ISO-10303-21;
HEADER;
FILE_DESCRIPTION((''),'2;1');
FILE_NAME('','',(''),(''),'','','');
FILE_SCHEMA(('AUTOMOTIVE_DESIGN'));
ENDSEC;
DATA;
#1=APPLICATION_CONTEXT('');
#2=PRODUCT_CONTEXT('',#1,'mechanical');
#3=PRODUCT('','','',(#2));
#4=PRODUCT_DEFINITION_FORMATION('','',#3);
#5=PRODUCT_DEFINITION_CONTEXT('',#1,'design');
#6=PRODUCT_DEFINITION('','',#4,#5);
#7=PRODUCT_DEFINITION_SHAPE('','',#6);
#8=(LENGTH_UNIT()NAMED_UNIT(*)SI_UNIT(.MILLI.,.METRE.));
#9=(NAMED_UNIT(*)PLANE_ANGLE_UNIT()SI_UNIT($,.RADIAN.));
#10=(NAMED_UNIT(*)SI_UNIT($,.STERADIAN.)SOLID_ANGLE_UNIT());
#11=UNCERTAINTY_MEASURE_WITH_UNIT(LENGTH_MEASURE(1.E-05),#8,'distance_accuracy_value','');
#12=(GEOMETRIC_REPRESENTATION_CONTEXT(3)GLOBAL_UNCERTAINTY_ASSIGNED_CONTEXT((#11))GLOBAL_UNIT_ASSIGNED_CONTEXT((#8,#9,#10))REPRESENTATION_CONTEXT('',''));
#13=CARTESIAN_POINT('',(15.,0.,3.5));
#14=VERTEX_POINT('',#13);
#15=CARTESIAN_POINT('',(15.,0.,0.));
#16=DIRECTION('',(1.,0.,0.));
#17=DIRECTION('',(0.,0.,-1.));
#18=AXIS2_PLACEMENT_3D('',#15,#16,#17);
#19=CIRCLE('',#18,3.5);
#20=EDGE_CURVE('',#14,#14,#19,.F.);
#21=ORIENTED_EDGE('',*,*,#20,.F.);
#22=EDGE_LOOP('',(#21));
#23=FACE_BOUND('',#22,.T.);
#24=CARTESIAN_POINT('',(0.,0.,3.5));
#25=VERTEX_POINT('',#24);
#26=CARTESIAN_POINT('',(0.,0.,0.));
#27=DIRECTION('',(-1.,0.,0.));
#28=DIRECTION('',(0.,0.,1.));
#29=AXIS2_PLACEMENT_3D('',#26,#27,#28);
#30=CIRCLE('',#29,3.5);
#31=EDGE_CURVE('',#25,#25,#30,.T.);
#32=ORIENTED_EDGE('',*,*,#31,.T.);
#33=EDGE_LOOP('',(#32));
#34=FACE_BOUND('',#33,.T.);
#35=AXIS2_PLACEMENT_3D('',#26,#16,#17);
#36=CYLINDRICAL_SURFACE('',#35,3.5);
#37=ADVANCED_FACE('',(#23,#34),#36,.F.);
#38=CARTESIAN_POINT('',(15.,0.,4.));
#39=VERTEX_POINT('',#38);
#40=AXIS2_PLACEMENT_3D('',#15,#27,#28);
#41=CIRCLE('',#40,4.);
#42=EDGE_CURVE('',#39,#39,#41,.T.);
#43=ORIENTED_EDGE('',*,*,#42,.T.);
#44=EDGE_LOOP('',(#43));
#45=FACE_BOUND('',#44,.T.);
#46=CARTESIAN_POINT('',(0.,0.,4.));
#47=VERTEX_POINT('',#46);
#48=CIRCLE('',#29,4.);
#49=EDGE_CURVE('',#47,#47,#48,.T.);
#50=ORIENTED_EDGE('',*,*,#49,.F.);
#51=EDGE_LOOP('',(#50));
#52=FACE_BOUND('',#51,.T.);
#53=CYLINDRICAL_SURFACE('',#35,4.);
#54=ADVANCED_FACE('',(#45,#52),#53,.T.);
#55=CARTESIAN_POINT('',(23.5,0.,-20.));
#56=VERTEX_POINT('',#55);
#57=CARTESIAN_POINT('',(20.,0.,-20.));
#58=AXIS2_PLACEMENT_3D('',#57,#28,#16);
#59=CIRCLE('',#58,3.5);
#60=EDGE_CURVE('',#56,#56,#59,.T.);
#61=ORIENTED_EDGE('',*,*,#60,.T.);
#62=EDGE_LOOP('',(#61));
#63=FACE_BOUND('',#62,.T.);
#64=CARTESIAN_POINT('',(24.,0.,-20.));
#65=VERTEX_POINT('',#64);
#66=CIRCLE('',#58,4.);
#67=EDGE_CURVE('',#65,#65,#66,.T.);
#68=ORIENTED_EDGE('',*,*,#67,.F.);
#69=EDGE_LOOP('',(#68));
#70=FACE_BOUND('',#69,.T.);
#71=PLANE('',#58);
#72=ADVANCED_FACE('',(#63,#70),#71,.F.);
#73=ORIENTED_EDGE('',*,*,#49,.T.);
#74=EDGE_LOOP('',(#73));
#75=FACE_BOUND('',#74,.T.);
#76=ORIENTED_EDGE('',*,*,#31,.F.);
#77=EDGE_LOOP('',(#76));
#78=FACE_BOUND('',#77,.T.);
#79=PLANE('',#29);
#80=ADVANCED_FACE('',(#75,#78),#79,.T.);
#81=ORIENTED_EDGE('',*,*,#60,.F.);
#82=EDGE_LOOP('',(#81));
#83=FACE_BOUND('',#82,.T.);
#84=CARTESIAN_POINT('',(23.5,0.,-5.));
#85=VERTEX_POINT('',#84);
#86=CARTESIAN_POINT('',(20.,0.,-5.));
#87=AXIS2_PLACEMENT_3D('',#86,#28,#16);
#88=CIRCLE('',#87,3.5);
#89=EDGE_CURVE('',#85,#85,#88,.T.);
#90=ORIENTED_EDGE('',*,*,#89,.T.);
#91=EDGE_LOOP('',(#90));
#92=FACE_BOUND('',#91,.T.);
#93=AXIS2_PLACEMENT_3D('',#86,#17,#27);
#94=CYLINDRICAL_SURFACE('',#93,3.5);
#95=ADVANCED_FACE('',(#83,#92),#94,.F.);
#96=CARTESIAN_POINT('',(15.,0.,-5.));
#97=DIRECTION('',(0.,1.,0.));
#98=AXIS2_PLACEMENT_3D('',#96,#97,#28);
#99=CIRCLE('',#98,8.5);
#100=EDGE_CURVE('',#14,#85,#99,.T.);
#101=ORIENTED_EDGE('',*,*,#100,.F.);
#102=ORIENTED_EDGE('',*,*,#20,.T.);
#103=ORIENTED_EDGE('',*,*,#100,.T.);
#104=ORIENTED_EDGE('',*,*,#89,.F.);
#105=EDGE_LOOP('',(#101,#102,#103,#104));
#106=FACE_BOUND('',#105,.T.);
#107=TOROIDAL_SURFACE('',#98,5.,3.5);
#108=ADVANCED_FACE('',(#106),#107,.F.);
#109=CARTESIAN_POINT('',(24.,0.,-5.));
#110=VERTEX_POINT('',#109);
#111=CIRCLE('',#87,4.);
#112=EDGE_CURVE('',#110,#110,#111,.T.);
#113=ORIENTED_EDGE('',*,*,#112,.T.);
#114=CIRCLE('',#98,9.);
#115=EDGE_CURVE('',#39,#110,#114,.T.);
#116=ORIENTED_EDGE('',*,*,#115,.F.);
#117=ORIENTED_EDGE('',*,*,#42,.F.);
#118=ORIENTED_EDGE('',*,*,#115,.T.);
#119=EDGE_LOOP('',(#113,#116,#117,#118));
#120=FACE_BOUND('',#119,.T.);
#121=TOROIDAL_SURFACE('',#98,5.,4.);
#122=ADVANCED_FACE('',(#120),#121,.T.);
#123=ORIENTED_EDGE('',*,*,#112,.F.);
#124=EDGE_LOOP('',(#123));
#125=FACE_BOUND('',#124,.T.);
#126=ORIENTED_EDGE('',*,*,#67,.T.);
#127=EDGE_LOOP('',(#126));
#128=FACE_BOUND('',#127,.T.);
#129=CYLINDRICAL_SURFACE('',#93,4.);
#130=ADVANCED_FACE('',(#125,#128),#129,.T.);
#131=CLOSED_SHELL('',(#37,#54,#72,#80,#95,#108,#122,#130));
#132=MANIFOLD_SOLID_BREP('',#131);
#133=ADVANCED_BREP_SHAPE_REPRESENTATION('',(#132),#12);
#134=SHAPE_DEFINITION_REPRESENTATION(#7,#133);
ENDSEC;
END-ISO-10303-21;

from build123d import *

# Parameters (mm, degrees)
SWEEP_THIN1_PROFILE_R   = 4
SWEEP_THIN1_PROFILE_R_2 = 3.5


with BuildPart() as part:
    # Sweep-Thin1: sweep along a path in Sketch1
    with BuildLine(Plane(origin=(0, 0, 0), x_dir=(1, 0, 0), z_dir=(0, 1, 0))) as sweep_thin1_path:
        Line((0, 0), (15, 0))
        ThreePointArc((15, 0), (18.535533906, 1.464466094), (20, 5))
        Line((20, 5), (20, 20))
    # Sweep-Thin1 profile (on start of the path) → Sweep-Thin1 (sweep)
    with BuildSketch(Plane(origin=(0, 0, 0), x_dir=(0, 0, 1), z_dir=(1, 0, 0))):
        Circle(SWEEP_THIN1_PROFILE_R)
        Circle(SWEEP_THIN1_PROFILE_R_2, mode=Mode.SUBTRACT)
    sweep(path=sweep_thin1_path.line)


solid = part.part
